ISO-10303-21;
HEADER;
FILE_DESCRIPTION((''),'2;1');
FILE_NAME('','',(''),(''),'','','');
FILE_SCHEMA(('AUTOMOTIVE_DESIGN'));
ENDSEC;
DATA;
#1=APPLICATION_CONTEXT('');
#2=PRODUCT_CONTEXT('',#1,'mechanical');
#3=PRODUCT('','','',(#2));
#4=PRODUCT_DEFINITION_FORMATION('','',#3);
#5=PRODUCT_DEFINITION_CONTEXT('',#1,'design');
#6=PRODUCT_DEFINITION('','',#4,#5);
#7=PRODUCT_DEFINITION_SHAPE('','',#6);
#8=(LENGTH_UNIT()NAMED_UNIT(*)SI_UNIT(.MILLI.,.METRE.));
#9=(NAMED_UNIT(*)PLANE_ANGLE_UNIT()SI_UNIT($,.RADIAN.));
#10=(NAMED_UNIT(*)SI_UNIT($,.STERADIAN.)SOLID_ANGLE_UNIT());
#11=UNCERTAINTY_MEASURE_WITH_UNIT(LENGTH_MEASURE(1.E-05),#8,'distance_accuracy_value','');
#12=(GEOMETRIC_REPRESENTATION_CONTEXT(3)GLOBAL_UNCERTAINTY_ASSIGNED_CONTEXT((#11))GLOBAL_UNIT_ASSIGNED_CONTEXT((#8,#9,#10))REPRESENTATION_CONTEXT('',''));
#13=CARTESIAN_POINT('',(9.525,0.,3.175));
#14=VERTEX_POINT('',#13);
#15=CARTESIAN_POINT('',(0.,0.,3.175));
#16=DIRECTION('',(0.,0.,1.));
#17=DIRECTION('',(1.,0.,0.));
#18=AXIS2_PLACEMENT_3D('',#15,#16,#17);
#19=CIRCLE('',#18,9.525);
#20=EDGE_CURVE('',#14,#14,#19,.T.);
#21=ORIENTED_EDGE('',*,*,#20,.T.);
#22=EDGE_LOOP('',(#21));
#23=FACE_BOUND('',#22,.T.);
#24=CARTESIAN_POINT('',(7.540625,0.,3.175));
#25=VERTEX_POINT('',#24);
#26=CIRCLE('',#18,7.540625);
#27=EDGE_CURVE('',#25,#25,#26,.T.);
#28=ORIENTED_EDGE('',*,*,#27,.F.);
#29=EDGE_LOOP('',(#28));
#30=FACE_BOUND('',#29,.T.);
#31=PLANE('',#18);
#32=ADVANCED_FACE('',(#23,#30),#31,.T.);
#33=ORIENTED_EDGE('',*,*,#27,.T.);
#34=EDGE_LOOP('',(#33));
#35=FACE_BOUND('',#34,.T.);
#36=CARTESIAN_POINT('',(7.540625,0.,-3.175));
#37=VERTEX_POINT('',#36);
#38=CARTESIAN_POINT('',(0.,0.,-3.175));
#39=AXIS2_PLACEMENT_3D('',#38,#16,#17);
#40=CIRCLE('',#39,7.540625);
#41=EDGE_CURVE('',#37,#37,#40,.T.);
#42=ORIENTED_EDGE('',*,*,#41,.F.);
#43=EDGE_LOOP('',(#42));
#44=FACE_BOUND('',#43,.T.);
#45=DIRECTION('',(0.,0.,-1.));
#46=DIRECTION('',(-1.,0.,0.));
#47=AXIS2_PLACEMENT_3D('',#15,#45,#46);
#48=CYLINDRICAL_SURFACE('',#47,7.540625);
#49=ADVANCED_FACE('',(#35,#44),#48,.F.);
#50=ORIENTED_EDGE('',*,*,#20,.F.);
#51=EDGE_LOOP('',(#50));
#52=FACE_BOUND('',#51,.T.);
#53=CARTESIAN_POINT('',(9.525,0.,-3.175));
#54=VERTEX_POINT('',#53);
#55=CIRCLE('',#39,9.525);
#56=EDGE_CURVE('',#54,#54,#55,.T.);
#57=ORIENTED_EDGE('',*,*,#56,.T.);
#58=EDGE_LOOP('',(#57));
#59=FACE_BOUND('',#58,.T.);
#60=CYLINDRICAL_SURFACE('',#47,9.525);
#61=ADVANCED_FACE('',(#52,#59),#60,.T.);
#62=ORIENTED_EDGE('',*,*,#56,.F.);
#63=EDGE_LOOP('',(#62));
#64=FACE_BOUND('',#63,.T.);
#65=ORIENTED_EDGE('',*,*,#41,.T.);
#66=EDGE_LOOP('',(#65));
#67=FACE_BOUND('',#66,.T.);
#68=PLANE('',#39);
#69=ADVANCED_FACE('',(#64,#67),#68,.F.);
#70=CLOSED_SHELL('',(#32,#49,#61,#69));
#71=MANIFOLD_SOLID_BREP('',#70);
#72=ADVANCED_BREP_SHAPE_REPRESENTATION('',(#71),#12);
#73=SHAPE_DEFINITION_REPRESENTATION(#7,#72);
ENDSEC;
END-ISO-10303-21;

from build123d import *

# Parameters (mm, degrees)
SKETCH1_R           = 9.525
SKETCH1_R_2         = 7.540625
BOSS_EXTRUDE1_DEPTH = 3.175


with BuildPart() as part:
    # Sketch1 → Boss-Extrude1 (new, symmetric)
    with BuildSketch(Plane.XY):
        Circle(SKETCH1_R)
        Circle(SKETCH1_R_2, mode=Mode.SUBTRACT)
    extrude(amount=BOSS_EXTRUDE1_DEPTH, both=True)


solid = part.part
